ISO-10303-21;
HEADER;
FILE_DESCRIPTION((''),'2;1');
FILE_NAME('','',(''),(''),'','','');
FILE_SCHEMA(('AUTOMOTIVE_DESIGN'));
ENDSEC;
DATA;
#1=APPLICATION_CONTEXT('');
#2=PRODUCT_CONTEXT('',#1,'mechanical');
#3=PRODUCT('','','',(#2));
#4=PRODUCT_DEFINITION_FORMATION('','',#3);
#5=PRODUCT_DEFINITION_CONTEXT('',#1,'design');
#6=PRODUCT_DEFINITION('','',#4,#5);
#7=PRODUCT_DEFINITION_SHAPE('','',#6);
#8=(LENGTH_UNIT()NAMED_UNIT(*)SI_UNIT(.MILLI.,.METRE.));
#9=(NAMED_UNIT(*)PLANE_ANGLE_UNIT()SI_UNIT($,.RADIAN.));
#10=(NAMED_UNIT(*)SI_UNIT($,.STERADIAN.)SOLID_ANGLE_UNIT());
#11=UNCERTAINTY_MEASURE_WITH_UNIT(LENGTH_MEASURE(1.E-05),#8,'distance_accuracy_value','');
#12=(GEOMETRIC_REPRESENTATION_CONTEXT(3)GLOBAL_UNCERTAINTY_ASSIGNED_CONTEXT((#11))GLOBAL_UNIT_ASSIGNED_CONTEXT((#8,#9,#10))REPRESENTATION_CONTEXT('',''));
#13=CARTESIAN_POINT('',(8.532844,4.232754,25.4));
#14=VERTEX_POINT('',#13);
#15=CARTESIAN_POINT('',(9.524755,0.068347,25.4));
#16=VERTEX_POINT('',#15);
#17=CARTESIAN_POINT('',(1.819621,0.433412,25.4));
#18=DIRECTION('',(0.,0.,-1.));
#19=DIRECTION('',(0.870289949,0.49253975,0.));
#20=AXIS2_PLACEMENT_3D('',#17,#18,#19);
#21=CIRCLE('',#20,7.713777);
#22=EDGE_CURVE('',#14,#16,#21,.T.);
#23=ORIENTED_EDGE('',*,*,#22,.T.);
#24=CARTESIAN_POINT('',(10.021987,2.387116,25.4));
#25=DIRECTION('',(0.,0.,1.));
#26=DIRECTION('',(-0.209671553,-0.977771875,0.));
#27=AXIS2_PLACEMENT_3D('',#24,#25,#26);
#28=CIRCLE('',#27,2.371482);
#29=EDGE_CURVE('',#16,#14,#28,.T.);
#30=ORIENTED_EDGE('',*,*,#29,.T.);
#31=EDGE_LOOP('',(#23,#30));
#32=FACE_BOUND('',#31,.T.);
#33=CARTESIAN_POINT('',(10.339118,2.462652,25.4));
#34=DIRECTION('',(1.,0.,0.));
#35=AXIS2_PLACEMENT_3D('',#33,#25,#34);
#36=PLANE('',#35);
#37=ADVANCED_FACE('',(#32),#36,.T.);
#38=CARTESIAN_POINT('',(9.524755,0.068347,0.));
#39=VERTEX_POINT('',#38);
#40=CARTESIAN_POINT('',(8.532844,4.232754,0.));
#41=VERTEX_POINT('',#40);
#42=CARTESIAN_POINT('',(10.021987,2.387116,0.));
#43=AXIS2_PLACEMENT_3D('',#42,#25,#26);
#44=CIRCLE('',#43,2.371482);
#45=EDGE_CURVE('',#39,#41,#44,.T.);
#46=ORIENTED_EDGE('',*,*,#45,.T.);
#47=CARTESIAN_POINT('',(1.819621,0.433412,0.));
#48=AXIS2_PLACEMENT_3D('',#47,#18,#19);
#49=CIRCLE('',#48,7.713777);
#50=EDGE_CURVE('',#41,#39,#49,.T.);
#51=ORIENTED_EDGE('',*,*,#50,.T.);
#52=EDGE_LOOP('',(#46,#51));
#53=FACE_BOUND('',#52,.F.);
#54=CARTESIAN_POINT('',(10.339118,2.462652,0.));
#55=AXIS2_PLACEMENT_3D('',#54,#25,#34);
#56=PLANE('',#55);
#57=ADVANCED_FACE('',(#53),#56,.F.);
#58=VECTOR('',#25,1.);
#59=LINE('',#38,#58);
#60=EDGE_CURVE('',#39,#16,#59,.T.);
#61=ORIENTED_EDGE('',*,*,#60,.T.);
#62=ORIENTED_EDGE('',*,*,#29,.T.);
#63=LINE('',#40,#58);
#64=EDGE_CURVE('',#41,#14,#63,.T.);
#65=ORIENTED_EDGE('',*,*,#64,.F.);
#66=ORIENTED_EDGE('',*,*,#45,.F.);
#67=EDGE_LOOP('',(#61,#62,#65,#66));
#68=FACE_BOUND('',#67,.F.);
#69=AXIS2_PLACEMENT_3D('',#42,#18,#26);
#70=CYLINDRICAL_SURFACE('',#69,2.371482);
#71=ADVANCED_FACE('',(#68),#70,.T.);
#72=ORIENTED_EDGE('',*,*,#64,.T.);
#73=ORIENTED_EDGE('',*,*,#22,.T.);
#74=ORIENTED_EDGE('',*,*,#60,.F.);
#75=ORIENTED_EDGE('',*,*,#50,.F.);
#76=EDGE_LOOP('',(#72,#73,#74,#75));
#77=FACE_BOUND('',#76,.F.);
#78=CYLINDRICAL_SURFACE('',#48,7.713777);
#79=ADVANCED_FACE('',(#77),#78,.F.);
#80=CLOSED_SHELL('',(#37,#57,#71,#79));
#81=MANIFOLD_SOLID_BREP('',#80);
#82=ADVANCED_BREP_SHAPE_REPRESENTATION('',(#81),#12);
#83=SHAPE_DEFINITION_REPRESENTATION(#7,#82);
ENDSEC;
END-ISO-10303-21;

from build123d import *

# Parameters (mm, degrees)
F1_DEPTH = 25.4


with BuildPart() as f1:
    # F0 (on Top) → F1 (new body)
    with BuildSketch(Plane.XY):
        with BuildLine():
            ThreePointArc((8.532844, 4.232754), (9.323475, 2.220739), (9.524755, 0.068347))
            ThreePointArc((9.524755, 0.068347), (12.328932, 2.936602), (8.532844, 4.232754))
        make_face()
    extrude(amount=F1_DEPTH)


solid = f1.part
